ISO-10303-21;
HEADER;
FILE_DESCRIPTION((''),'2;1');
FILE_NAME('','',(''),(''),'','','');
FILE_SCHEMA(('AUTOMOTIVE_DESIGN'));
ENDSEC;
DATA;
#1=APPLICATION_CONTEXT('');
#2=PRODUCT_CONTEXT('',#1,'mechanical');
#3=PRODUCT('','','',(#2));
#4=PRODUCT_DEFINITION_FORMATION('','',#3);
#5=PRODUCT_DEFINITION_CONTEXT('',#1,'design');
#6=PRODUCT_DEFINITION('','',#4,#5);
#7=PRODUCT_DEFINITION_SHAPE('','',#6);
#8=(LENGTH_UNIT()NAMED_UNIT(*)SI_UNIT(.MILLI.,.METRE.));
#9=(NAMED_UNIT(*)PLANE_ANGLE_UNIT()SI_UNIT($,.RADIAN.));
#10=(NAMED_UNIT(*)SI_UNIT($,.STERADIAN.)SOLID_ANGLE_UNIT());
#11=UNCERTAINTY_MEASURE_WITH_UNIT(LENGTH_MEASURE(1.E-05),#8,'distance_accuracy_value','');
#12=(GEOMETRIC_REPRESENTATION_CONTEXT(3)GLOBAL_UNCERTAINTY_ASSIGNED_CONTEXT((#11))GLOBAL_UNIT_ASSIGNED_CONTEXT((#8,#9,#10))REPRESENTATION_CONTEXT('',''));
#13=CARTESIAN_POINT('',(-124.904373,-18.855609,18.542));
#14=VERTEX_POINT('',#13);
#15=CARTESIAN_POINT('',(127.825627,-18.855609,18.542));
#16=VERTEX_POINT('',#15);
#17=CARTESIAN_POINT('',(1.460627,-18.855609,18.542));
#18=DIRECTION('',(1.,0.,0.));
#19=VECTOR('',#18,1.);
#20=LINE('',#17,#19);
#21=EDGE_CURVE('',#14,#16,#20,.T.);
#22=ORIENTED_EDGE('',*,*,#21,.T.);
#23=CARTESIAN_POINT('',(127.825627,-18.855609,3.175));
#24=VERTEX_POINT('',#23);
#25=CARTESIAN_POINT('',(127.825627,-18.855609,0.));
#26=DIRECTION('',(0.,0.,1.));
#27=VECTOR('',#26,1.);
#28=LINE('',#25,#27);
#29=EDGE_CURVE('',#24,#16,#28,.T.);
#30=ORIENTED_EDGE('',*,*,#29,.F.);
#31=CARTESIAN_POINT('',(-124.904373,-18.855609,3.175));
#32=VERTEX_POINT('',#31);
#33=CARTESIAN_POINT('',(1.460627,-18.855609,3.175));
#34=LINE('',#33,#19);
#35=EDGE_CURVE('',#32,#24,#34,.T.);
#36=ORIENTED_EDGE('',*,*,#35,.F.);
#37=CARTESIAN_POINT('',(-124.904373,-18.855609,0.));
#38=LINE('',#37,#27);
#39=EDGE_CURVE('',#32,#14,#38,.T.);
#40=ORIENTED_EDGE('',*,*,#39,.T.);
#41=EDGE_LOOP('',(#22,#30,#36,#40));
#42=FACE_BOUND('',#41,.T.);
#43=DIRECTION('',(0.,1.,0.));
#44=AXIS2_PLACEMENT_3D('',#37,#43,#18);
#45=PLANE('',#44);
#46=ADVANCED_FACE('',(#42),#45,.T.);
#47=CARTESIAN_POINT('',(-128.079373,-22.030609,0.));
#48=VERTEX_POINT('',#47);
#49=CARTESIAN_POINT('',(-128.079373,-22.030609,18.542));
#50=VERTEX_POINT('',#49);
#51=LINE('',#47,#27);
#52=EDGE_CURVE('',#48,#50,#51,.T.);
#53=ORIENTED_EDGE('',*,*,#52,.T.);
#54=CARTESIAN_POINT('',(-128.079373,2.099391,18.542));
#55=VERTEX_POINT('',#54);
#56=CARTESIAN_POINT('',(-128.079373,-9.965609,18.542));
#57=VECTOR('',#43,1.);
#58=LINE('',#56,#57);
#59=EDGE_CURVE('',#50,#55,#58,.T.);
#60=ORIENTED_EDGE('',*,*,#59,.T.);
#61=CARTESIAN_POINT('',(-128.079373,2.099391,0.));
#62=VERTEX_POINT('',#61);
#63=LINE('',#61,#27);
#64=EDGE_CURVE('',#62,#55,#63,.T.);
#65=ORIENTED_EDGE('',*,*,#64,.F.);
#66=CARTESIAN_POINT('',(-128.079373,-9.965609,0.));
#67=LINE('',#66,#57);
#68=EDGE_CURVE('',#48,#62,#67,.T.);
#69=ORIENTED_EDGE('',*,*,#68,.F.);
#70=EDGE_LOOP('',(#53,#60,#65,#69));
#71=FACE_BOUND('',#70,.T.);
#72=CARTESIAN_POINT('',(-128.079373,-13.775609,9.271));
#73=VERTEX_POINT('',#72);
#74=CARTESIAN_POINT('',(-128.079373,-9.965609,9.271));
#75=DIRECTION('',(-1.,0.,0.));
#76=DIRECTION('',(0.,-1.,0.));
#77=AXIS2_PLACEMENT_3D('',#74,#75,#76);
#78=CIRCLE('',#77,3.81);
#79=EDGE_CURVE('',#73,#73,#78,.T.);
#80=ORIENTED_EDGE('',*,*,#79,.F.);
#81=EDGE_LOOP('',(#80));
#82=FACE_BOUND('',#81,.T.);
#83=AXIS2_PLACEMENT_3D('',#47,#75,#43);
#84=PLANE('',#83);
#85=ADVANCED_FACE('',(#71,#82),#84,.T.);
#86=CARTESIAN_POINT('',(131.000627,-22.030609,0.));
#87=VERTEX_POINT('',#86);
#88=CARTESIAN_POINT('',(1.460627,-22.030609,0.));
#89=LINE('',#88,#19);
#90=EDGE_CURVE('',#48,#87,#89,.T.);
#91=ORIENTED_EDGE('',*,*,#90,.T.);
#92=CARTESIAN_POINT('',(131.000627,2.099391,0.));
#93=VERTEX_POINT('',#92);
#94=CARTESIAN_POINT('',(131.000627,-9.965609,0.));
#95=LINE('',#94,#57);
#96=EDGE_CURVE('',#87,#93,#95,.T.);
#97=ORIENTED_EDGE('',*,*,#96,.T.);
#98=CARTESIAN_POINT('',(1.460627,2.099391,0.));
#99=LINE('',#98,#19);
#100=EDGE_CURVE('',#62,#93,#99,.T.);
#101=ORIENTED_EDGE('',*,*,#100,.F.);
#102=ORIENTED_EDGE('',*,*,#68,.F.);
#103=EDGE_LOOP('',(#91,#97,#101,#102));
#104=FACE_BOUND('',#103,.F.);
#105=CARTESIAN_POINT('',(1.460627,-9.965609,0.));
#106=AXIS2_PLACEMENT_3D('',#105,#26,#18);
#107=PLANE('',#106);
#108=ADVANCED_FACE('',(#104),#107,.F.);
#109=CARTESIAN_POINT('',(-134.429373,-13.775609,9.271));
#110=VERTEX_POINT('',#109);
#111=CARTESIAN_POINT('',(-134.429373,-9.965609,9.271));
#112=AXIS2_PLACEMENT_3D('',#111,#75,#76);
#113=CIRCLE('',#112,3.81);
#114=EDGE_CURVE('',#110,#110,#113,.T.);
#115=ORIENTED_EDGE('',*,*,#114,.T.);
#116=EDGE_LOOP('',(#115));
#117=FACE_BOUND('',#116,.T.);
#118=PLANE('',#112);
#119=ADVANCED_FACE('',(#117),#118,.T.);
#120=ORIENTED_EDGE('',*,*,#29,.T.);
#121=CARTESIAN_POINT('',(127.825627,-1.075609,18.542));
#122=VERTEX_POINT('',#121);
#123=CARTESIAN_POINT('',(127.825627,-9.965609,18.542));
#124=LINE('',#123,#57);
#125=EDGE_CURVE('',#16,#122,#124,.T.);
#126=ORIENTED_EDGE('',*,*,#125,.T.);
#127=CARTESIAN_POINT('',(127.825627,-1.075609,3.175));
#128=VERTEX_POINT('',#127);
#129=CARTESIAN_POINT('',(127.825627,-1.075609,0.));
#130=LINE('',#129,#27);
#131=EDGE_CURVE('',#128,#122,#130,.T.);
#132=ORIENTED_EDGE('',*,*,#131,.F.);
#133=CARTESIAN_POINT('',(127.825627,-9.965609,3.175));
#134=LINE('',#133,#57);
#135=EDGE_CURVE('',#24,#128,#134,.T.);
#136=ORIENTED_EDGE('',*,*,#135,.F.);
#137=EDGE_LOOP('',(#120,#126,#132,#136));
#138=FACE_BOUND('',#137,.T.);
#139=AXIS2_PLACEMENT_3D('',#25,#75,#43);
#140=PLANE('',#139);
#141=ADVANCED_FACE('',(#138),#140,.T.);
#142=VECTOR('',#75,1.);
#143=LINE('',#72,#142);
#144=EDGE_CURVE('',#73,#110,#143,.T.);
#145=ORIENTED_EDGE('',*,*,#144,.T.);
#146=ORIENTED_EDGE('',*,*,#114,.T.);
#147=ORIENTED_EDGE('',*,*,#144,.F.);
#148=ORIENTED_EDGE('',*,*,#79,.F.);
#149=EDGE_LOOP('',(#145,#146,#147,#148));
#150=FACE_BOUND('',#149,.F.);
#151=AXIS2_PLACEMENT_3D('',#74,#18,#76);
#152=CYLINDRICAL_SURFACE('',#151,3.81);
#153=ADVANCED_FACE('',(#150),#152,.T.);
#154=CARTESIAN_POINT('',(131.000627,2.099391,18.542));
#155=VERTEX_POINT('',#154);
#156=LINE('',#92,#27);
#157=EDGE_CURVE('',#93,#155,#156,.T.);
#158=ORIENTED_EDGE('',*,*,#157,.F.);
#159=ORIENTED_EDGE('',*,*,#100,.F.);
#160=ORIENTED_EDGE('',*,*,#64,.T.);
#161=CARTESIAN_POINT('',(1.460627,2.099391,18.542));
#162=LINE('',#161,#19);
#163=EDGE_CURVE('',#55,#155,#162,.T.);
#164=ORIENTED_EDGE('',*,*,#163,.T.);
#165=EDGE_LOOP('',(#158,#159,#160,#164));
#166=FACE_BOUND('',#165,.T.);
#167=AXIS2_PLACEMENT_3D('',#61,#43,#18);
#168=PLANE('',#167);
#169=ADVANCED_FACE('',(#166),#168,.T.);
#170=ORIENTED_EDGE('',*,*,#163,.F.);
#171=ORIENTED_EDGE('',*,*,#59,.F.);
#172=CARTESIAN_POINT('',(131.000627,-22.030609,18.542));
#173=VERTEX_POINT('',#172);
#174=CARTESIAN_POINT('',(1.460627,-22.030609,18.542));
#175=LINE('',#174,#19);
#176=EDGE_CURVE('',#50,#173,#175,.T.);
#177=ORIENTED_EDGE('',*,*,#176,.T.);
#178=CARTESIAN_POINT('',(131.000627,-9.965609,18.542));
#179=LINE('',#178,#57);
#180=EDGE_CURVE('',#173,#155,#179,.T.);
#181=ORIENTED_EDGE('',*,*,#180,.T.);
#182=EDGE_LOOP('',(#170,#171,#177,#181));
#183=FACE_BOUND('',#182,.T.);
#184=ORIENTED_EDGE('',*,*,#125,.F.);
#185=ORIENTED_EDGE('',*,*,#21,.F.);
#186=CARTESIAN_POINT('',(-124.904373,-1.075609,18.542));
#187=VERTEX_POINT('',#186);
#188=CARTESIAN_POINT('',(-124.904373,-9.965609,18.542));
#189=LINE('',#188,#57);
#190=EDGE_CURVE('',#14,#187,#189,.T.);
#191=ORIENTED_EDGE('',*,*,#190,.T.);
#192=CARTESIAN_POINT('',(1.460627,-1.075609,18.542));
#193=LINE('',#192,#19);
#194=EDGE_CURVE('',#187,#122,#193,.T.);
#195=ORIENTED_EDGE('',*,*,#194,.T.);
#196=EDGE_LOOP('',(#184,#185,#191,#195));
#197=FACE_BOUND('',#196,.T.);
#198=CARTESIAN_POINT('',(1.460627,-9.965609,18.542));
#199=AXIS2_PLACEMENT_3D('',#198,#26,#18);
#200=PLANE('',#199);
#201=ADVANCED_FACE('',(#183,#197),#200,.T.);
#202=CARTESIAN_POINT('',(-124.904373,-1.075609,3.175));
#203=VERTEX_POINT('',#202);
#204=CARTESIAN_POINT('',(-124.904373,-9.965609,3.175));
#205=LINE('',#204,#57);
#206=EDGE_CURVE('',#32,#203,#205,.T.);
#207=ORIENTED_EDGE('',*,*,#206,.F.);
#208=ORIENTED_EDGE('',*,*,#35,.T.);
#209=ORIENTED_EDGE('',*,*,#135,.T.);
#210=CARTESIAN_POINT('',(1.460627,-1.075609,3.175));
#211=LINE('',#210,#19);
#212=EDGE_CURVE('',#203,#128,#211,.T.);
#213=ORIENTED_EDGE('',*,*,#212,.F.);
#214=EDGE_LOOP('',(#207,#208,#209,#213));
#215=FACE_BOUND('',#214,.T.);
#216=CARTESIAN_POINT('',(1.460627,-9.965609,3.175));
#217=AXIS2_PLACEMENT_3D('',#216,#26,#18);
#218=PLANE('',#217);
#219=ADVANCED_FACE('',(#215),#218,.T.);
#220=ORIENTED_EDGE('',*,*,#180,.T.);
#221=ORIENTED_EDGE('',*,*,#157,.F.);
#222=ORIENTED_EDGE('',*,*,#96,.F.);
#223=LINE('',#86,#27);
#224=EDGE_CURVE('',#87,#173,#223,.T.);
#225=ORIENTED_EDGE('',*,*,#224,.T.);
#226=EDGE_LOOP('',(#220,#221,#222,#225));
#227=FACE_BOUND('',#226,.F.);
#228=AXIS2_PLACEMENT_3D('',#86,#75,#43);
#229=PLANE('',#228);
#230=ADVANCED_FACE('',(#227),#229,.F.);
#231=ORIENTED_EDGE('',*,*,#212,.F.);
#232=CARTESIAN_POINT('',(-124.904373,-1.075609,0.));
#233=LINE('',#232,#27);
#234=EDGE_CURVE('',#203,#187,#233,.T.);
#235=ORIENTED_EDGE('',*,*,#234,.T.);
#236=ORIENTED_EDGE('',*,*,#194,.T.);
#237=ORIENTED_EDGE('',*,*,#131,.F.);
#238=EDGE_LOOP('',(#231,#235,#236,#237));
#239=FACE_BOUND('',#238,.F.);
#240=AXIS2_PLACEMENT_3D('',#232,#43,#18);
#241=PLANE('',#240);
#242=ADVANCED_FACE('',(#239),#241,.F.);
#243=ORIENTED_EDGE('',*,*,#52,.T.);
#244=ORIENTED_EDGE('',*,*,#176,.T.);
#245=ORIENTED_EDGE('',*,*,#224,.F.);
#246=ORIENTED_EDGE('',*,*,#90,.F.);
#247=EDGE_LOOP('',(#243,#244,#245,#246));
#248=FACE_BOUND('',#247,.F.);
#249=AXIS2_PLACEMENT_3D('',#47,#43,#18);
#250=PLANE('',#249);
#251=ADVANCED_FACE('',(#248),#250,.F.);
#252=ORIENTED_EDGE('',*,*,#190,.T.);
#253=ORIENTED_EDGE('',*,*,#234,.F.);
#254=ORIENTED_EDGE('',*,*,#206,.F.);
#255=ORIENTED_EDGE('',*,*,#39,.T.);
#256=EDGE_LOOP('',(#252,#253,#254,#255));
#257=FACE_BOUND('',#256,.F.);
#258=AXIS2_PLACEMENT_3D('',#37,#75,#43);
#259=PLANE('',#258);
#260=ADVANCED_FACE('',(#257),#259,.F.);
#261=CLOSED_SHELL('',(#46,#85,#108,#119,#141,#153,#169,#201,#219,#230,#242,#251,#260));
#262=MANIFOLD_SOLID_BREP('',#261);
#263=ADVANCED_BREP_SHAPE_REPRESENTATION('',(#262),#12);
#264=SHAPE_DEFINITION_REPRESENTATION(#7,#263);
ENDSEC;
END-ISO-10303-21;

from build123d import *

# Parameters (mm, degrees)
F0_W     = 252.73
F0_H     = 17.78
F1_DEPTH = 3.175
F0_W_2   = 259.08
F0_H_2   = 24.13
F2_DEPTH = 18.542
F3_R     = 3.81
F4_DEPTH = 6.35


with BuildPart() as f1:
    # F0 (on Top) → F1 (new body)
    with BuildSketch(Plane.XY):
        with Locations((1.460627, -9.965609)):
            Rectangle(F0_W, F0_H)
    extrude(amount=F1_DEPTH)

    # F0 (on Top) → F2 (join)
    with BuildSketch(Plane.XY):
        with Locations((1.460627, -9.965609)):
            Rectangle(F0_W_2, F0_H_2)
        with Locations((1.460627, -9.965609)):
            Rectangle(F0_W, F0_H, mode=Mode.SUBTRACT)
    extrude(amount=F2_DEPTH)

    # F3 (on face) → F4 (join)
    with BuildSketch(Plane(origin=(-128.079373, 0, 0), x_dir=(0, -1, 0), z_dir=(-1, 0, 0))):
        with Locations((9.965609, 9.271)):
            Circle(F3_R)
    extrude(amount=F4_DEPTH)


solid = f1.part
